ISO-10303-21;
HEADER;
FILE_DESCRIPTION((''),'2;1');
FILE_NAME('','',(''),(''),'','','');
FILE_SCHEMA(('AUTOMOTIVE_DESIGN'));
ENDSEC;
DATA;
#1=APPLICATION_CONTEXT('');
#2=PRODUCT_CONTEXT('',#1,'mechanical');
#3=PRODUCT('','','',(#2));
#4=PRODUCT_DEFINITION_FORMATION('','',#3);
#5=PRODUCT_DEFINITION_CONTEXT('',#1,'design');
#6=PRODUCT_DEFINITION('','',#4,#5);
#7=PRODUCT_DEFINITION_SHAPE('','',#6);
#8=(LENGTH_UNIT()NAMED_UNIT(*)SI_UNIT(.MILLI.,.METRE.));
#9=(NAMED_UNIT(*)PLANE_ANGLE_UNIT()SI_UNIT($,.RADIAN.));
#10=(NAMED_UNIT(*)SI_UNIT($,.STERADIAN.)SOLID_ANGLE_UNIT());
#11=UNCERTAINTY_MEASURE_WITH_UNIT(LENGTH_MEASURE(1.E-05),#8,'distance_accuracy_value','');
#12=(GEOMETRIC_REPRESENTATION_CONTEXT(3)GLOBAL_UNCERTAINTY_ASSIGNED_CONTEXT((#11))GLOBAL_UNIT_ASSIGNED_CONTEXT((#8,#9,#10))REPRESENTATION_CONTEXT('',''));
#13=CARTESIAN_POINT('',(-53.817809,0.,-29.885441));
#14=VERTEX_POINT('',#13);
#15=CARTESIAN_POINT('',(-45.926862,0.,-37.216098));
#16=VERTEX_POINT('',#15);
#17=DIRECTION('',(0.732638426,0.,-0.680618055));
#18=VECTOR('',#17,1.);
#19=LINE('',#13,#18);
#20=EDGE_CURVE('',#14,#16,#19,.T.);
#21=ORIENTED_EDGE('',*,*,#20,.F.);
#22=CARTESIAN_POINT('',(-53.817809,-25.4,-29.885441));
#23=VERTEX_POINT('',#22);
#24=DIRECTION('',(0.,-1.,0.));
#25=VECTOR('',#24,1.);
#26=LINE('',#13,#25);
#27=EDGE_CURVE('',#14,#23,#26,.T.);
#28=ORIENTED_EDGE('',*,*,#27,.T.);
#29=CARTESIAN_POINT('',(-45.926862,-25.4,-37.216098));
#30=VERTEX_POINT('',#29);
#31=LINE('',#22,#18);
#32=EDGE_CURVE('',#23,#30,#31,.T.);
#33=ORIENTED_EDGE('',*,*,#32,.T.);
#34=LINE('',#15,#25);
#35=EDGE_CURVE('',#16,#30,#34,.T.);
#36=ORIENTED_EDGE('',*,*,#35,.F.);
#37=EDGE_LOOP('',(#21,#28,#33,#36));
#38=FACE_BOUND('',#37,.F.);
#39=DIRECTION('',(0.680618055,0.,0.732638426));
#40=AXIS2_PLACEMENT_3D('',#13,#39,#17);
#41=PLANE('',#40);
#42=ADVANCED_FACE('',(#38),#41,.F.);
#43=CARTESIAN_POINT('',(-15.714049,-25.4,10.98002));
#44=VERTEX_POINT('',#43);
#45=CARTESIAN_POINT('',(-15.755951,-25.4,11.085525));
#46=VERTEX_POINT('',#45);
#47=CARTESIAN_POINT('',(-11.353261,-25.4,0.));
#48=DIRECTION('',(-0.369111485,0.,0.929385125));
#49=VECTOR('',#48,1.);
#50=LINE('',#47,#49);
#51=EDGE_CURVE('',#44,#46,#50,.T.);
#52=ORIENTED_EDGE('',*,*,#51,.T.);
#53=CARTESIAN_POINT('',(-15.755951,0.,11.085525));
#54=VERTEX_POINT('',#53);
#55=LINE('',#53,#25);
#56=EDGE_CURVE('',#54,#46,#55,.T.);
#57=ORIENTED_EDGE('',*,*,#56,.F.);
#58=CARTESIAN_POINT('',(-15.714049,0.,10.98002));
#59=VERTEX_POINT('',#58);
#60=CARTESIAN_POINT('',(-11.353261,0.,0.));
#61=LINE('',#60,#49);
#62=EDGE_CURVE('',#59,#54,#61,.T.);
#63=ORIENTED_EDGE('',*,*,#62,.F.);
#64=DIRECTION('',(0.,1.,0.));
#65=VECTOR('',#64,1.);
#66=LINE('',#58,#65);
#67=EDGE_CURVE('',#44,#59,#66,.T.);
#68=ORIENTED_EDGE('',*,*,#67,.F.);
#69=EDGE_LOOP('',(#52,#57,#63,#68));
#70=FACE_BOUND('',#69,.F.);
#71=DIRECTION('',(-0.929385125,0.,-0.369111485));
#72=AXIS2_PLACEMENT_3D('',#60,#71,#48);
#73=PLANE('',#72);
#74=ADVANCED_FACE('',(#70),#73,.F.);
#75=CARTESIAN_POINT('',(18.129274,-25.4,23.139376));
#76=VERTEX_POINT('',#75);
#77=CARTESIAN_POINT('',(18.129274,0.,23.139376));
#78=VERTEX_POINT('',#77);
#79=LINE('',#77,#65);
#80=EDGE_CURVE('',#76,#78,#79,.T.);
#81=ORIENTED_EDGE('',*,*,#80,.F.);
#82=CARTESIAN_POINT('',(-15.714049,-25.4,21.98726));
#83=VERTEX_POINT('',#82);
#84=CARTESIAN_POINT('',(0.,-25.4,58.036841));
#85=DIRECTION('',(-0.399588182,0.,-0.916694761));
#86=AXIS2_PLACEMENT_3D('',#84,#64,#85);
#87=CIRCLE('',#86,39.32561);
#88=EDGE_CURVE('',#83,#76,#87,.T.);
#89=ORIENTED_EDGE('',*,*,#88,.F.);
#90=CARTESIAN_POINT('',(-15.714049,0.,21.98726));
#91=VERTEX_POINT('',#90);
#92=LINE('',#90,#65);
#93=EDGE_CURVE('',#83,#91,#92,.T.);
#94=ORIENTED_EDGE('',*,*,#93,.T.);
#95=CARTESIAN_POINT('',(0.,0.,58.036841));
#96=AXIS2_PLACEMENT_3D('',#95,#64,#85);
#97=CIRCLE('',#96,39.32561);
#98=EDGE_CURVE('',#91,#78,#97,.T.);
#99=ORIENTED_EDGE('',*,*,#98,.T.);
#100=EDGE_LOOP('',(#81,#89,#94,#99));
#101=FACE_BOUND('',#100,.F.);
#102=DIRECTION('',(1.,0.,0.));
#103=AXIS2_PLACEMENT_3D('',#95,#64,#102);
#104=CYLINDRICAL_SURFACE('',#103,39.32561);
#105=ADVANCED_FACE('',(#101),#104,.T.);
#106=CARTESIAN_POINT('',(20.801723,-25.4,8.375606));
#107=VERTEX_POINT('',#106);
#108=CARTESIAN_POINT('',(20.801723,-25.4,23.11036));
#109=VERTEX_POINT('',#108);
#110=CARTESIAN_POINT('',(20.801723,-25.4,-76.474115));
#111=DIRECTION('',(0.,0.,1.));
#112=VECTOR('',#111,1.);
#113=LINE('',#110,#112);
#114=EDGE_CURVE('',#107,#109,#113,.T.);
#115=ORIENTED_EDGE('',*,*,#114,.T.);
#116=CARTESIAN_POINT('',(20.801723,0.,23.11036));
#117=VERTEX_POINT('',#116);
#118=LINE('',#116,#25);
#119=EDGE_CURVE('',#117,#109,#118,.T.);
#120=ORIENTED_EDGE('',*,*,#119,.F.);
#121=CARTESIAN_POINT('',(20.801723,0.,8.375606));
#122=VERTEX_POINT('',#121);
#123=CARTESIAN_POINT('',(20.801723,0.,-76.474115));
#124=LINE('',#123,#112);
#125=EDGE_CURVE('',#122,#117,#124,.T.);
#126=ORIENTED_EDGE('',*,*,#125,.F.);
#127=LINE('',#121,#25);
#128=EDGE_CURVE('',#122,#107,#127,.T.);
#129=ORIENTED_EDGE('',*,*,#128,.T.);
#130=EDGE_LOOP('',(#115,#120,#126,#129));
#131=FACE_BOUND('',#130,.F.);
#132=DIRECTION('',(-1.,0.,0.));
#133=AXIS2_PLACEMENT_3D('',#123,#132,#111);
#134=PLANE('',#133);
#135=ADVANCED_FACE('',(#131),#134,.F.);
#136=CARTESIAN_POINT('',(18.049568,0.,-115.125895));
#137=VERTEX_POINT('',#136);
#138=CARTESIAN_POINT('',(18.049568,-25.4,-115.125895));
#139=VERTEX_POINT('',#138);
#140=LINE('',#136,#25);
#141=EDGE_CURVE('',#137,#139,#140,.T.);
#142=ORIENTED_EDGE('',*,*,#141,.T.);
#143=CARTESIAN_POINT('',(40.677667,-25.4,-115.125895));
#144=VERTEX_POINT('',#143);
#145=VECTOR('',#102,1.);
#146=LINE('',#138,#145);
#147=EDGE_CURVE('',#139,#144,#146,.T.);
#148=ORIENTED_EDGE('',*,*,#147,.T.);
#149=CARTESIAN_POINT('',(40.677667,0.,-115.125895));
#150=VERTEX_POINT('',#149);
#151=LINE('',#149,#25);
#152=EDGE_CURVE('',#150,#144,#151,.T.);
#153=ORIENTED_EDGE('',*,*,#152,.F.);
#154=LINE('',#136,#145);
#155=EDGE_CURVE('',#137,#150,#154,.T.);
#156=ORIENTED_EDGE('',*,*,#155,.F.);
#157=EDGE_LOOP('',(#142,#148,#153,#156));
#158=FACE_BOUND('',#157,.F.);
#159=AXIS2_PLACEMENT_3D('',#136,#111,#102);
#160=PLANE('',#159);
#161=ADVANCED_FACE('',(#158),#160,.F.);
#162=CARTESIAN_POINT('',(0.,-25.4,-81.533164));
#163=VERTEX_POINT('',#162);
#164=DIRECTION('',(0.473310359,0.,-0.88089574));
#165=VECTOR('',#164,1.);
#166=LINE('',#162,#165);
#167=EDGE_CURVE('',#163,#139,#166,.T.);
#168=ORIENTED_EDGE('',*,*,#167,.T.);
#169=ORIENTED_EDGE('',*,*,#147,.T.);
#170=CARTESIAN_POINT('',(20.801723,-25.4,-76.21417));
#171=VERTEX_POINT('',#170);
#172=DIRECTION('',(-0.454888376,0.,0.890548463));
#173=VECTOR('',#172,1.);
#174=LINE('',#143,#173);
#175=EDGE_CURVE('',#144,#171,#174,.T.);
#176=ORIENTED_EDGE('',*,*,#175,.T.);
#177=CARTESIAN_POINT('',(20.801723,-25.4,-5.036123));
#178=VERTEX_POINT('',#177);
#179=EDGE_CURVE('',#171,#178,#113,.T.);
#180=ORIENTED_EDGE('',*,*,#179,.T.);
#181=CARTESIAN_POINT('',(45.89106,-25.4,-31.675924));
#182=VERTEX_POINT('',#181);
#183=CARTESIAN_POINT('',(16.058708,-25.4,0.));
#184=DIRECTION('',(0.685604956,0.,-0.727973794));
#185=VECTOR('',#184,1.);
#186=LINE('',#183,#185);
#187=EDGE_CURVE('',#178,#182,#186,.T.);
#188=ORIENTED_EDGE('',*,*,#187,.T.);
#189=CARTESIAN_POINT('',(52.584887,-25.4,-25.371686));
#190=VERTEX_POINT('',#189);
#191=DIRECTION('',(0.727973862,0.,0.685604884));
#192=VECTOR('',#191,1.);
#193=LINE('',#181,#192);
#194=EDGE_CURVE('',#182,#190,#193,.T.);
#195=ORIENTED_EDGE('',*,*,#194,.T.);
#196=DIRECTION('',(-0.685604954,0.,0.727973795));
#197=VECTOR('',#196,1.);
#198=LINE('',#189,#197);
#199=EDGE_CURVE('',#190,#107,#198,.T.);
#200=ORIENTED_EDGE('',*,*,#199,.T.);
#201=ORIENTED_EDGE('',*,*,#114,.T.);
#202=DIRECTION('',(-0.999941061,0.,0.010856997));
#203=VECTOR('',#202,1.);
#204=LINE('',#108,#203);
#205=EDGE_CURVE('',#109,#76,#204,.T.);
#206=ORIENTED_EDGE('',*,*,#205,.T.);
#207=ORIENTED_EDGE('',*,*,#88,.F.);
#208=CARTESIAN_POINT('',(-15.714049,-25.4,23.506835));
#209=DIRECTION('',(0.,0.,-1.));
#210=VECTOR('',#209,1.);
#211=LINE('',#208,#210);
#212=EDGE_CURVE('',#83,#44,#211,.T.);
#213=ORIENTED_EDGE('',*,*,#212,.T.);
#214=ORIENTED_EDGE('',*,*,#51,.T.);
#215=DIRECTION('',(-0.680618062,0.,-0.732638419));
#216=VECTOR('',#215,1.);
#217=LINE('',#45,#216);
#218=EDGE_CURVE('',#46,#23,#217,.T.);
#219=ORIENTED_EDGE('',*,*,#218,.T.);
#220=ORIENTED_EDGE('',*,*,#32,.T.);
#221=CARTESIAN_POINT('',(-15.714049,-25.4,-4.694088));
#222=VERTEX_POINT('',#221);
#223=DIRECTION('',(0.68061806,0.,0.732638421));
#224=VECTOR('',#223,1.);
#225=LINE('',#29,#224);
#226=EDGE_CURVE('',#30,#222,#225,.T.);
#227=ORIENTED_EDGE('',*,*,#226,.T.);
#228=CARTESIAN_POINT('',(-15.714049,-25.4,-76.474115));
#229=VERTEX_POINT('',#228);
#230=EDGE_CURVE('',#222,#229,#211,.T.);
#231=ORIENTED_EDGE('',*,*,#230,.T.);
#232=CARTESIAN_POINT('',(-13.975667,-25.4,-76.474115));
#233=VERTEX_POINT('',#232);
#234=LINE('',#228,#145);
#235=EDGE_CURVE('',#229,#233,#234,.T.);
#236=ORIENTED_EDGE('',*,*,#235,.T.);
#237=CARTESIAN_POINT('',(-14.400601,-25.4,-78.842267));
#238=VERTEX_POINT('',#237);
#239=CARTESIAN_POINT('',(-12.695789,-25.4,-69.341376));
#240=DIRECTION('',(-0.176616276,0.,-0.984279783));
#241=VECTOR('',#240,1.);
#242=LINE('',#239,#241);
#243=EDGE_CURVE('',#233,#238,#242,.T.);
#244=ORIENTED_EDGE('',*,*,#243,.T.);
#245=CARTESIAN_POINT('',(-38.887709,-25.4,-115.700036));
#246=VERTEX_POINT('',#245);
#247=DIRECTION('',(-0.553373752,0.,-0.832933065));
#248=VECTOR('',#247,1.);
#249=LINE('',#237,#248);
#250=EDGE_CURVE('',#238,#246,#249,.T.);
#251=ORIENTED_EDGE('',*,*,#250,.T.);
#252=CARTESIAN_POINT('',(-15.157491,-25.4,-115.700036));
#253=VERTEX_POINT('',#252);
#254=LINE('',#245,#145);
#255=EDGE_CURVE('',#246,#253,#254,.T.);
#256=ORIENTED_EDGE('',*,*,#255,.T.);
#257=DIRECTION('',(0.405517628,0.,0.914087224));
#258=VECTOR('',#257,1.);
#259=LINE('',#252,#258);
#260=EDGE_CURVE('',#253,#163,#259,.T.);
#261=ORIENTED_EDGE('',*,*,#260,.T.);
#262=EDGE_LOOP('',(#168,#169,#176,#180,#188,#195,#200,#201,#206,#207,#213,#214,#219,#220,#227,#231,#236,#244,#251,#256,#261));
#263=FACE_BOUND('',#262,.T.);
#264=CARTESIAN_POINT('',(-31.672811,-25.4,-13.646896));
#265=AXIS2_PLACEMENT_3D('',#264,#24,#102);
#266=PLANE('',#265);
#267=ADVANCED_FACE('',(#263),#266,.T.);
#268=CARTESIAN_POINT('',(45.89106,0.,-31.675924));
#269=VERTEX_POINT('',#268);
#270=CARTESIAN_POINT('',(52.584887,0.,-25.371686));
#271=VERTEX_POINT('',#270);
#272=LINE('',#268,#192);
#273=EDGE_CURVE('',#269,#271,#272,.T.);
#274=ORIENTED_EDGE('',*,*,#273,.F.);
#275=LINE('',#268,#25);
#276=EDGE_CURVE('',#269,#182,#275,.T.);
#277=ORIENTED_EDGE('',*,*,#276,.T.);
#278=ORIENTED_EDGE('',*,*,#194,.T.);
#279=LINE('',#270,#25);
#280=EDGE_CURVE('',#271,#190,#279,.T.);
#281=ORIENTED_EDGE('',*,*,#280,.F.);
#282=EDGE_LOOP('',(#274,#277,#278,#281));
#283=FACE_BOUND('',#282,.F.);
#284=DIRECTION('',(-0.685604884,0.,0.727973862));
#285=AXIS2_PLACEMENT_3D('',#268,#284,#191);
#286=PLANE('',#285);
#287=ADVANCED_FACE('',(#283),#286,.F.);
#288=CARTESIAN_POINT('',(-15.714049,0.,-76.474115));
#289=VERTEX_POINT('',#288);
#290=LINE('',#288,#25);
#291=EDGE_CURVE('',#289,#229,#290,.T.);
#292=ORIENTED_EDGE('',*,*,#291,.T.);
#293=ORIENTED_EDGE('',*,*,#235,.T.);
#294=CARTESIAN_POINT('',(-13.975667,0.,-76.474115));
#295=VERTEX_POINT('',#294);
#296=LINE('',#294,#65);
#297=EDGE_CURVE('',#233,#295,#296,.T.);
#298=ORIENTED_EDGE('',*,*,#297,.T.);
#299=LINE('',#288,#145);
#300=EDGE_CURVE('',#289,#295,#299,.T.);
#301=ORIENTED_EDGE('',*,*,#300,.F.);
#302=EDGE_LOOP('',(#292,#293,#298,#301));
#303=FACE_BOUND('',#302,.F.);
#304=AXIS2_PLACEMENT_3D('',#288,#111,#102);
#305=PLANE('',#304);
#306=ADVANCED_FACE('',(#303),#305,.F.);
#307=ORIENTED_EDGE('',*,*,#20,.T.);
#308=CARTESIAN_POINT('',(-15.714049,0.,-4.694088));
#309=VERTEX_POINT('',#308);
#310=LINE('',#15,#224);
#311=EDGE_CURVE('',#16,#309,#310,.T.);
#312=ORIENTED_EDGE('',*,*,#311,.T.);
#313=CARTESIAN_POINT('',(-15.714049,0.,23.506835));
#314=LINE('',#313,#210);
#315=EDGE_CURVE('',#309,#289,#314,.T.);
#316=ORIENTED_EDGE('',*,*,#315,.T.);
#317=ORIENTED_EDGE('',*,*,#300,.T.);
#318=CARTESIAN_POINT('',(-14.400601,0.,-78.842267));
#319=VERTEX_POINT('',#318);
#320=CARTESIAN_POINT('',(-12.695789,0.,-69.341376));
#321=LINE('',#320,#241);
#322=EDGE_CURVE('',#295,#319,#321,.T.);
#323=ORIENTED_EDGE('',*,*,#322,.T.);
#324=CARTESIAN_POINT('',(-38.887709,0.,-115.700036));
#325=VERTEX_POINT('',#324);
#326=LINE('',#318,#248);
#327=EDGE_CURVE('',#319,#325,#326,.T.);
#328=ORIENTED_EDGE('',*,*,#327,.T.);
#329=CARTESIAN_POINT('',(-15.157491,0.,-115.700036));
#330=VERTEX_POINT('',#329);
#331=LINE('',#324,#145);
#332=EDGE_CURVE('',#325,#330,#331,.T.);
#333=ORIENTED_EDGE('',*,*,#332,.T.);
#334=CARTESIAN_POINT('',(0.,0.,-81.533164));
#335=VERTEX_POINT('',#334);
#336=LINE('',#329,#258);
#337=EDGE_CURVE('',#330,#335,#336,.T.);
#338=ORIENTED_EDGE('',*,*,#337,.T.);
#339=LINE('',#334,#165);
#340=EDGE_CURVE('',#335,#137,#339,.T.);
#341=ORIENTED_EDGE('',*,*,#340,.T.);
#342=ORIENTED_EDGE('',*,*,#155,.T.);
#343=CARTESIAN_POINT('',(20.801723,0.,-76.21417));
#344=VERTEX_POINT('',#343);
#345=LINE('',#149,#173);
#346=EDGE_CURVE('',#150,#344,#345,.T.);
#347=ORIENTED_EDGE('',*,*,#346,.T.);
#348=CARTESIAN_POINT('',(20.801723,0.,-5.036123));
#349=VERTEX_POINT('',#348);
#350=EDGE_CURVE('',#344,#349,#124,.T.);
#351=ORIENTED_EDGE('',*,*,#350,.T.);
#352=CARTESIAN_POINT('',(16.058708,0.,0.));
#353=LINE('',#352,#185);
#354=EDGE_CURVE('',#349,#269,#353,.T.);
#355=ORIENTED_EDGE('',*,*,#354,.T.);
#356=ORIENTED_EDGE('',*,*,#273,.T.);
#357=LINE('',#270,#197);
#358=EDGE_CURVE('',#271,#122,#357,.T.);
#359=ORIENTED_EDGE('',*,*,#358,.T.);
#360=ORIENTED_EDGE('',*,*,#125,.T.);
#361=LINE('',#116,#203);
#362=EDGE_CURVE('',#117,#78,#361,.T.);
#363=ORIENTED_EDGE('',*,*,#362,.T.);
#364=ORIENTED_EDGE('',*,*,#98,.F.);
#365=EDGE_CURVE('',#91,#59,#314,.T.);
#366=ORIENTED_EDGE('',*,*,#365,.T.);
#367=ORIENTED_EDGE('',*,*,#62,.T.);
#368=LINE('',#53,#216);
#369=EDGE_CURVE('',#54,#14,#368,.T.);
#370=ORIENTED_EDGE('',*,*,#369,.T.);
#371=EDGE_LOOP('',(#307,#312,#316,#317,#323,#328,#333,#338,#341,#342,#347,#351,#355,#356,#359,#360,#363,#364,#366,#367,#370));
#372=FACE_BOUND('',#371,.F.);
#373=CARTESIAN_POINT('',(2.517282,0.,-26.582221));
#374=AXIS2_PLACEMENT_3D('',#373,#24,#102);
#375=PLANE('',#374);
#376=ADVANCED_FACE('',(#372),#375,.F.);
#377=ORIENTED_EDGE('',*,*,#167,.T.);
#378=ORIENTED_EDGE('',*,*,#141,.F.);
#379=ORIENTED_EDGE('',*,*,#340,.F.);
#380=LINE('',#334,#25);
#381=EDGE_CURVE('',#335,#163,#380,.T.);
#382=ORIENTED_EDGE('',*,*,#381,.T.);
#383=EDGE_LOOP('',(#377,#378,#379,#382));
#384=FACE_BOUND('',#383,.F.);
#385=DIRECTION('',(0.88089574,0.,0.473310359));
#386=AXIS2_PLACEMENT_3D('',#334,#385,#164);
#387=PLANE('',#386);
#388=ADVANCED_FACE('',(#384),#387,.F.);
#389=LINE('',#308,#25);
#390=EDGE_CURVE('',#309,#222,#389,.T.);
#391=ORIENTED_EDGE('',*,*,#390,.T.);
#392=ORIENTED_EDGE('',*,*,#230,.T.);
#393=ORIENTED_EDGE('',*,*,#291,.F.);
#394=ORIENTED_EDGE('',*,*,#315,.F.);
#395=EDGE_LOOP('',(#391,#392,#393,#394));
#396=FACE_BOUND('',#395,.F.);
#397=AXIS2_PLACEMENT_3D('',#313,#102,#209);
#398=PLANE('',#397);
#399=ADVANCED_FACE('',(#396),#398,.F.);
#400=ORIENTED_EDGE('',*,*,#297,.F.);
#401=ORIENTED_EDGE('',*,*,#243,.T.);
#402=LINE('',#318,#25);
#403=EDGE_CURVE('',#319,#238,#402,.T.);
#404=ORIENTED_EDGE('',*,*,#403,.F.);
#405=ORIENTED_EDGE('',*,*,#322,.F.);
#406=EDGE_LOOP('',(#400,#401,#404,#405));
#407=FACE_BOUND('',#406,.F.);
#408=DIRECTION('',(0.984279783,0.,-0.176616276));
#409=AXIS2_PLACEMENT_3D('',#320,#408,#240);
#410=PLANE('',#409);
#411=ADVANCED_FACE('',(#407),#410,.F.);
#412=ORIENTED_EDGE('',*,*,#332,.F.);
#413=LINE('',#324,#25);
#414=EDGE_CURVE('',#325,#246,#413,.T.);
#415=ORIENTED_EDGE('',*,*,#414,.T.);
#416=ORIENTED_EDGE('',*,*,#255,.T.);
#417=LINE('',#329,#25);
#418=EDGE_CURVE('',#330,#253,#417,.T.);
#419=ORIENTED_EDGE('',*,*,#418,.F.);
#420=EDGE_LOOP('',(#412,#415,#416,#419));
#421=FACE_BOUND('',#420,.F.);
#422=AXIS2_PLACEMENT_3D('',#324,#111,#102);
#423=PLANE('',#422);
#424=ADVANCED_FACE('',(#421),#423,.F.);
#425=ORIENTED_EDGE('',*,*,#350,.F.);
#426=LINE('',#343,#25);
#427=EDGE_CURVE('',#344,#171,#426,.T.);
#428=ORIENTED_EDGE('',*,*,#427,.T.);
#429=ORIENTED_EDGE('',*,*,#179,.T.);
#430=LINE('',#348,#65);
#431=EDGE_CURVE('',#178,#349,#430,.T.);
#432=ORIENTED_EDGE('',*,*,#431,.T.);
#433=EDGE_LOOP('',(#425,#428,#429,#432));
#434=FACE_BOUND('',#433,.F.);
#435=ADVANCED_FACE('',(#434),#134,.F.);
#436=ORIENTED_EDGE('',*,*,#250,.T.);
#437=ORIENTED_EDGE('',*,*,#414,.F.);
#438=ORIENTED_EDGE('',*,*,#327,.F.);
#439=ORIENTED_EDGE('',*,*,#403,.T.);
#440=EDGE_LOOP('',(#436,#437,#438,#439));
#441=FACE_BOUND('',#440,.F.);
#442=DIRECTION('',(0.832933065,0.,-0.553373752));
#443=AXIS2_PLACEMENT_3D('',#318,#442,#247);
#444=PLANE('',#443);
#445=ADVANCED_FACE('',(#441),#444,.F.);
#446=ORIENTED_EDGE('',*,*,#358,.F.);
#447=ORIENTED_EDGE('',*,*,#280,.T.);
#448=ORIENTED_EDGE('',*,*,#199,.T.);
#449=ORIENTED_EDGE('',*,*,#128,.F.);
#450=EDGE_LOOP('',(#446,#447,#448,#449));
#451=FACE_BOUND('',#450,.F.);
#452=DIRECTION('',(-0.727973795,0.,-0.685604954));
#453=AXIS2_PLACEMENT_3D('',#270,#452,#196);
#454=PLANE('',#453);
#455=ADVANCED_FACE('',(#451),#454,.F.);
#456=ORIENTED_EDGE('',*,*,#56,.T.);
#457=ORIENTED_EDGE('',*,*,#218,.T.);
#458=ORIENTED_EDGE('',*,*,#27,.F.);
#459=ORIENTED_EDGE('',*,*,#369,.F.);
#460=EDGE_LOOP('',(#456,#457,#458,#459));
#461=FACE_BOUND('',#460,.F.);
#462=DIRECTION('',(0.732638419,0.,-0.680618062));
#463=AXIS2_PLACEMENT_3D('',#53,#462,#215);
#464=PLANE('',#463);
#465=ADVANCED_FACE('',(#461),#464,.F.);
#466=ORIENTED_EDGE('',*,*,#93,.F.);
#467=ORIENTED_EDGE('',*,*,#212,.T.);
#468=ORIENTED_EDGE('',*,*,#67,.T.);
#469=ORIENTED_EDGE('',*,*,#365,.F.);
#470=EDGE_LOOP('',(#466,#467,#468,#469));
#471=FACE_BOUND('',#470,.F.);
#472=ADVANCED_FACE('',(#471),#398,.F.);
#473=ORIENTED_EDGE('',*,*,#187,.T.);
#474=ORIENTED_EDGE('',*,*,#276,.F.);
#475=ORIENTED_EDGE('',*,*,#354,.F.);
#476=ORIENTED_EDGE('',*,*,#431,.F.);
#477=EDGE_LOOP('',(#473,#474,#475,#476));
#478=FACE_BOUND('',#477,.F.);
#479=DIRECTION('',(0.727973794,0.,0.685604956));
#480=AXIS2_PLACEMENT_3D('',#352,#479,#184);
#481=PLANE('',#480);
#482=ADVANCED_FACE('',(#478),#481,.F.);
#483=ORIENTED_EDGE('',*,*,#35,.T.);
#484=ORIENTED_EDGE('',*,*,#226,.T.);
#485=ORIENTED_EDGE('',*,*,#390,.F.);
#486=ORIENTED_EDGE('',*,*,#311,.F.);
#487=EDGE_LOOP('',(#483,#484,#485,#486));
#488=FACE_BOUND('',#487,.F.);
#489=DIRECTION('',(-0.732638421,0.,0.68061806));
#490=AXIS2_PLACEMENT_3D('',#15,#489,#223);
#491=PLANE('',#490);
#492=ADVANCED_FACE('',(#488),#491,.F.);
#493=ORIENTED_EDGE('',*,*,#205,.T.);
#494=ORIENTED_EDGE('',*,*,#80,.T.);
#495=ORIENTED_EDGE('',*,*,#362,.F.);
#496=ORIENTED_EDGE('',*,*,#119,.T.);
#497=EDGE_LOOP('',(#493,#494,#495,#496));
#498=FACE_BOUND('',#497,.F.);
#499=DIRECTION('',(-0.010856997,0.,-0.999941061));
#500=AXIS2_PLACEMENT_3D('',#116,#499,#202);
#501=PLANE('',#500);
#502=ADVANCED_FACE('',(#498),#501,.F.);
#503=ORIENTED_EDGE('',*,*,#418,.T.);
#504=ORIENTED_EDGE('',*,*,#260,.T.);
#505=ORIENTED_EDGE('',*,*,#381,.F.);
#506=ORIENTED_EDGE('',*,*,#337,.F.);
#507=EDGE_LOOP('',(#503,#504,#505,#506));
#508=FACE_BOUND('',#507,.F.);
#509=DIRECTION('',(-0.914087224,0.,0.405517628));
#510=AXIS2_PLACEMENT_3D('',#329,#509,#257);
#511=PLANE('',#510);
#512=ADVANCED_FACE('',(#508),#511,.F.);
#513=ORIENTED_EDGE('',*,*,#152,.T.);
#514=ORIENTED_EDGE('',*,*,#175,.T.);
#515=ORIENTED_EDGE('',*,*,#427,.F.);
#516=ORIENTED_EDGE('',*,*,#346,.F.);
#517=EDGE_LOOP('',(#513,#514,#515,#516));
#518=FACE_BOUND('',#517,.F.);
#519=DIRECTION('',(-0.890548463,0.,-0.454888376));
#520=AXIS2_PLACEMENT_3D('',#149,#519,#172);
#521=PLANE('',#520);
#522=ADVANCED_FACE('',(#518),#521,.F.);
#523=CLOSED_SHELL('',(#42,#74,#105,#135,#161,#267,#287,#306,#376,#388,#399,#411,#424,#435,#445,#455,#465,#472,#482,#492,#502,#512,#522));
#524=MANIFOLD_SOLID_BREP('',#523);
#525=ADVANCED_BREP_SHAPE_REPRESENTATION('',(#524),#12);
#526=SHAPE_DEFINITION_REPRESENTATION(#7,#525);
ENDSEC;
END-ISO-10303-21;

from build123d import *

# Parameters (mm, degrees)
F0_R     = 39.32561
F1_DEPTH = 25.4
F3_DEPTH = 25.4
F5_DEPTH = 25.4
F7_DEPTH = 25.4


with BuildPart() as f1:
    # F0 (on Front) → F1 (new body)
    with BuildSketch(Plane.XZ):
        with Locations((0, 58.036841)):
            Circle(F0_R)
    extrude(amount=F1_DEPTH)

    # F2 (on Front) → F3 (join)
    with BuildSketch(Plane.XZ):
        Polygon((20.801723, 23.11036), (-15.714049, 23.506835), (-15.714049, -76.474115), (20.801723, -76.474115), align=None)
    extrude(amount=F3_DEPTH)

    # F4 (on Front) → F5 (join)
    with BuildSketch(Plane.XZ):
        Polygon((-11.353261, 0), (-15.755951, 11.085525), (-53.817809, -29.885441), (-45.926862, -37.216098), align=None)
        Polygon((52.584887, -25.371686), (20.5549, 8.637682), (16.058708, 0), (45.89106, -31.675924), align=None)
    extrude(amount=F5_DEPTH)

    # F6 (on Front) → F7 (join)
    with BuildSketch(Plane.XZ):
        Polygon((-12.695789, -69.341376), (-14.400601, -78.842267), (-38.887709, -115.700036), (-15.157491, -115.700036), (0, -81.533164), (0, -69.341376), align=None)
        Polygon((6.92448, -69.341376), (0, -69.341376), (0, -81.533164), (18.049568, -115.125895), (40.677667, -115.125895), (17.291129, -69.341376), align=None)
    extrude(amount=F7_DEPTH)


solid = f1.part
